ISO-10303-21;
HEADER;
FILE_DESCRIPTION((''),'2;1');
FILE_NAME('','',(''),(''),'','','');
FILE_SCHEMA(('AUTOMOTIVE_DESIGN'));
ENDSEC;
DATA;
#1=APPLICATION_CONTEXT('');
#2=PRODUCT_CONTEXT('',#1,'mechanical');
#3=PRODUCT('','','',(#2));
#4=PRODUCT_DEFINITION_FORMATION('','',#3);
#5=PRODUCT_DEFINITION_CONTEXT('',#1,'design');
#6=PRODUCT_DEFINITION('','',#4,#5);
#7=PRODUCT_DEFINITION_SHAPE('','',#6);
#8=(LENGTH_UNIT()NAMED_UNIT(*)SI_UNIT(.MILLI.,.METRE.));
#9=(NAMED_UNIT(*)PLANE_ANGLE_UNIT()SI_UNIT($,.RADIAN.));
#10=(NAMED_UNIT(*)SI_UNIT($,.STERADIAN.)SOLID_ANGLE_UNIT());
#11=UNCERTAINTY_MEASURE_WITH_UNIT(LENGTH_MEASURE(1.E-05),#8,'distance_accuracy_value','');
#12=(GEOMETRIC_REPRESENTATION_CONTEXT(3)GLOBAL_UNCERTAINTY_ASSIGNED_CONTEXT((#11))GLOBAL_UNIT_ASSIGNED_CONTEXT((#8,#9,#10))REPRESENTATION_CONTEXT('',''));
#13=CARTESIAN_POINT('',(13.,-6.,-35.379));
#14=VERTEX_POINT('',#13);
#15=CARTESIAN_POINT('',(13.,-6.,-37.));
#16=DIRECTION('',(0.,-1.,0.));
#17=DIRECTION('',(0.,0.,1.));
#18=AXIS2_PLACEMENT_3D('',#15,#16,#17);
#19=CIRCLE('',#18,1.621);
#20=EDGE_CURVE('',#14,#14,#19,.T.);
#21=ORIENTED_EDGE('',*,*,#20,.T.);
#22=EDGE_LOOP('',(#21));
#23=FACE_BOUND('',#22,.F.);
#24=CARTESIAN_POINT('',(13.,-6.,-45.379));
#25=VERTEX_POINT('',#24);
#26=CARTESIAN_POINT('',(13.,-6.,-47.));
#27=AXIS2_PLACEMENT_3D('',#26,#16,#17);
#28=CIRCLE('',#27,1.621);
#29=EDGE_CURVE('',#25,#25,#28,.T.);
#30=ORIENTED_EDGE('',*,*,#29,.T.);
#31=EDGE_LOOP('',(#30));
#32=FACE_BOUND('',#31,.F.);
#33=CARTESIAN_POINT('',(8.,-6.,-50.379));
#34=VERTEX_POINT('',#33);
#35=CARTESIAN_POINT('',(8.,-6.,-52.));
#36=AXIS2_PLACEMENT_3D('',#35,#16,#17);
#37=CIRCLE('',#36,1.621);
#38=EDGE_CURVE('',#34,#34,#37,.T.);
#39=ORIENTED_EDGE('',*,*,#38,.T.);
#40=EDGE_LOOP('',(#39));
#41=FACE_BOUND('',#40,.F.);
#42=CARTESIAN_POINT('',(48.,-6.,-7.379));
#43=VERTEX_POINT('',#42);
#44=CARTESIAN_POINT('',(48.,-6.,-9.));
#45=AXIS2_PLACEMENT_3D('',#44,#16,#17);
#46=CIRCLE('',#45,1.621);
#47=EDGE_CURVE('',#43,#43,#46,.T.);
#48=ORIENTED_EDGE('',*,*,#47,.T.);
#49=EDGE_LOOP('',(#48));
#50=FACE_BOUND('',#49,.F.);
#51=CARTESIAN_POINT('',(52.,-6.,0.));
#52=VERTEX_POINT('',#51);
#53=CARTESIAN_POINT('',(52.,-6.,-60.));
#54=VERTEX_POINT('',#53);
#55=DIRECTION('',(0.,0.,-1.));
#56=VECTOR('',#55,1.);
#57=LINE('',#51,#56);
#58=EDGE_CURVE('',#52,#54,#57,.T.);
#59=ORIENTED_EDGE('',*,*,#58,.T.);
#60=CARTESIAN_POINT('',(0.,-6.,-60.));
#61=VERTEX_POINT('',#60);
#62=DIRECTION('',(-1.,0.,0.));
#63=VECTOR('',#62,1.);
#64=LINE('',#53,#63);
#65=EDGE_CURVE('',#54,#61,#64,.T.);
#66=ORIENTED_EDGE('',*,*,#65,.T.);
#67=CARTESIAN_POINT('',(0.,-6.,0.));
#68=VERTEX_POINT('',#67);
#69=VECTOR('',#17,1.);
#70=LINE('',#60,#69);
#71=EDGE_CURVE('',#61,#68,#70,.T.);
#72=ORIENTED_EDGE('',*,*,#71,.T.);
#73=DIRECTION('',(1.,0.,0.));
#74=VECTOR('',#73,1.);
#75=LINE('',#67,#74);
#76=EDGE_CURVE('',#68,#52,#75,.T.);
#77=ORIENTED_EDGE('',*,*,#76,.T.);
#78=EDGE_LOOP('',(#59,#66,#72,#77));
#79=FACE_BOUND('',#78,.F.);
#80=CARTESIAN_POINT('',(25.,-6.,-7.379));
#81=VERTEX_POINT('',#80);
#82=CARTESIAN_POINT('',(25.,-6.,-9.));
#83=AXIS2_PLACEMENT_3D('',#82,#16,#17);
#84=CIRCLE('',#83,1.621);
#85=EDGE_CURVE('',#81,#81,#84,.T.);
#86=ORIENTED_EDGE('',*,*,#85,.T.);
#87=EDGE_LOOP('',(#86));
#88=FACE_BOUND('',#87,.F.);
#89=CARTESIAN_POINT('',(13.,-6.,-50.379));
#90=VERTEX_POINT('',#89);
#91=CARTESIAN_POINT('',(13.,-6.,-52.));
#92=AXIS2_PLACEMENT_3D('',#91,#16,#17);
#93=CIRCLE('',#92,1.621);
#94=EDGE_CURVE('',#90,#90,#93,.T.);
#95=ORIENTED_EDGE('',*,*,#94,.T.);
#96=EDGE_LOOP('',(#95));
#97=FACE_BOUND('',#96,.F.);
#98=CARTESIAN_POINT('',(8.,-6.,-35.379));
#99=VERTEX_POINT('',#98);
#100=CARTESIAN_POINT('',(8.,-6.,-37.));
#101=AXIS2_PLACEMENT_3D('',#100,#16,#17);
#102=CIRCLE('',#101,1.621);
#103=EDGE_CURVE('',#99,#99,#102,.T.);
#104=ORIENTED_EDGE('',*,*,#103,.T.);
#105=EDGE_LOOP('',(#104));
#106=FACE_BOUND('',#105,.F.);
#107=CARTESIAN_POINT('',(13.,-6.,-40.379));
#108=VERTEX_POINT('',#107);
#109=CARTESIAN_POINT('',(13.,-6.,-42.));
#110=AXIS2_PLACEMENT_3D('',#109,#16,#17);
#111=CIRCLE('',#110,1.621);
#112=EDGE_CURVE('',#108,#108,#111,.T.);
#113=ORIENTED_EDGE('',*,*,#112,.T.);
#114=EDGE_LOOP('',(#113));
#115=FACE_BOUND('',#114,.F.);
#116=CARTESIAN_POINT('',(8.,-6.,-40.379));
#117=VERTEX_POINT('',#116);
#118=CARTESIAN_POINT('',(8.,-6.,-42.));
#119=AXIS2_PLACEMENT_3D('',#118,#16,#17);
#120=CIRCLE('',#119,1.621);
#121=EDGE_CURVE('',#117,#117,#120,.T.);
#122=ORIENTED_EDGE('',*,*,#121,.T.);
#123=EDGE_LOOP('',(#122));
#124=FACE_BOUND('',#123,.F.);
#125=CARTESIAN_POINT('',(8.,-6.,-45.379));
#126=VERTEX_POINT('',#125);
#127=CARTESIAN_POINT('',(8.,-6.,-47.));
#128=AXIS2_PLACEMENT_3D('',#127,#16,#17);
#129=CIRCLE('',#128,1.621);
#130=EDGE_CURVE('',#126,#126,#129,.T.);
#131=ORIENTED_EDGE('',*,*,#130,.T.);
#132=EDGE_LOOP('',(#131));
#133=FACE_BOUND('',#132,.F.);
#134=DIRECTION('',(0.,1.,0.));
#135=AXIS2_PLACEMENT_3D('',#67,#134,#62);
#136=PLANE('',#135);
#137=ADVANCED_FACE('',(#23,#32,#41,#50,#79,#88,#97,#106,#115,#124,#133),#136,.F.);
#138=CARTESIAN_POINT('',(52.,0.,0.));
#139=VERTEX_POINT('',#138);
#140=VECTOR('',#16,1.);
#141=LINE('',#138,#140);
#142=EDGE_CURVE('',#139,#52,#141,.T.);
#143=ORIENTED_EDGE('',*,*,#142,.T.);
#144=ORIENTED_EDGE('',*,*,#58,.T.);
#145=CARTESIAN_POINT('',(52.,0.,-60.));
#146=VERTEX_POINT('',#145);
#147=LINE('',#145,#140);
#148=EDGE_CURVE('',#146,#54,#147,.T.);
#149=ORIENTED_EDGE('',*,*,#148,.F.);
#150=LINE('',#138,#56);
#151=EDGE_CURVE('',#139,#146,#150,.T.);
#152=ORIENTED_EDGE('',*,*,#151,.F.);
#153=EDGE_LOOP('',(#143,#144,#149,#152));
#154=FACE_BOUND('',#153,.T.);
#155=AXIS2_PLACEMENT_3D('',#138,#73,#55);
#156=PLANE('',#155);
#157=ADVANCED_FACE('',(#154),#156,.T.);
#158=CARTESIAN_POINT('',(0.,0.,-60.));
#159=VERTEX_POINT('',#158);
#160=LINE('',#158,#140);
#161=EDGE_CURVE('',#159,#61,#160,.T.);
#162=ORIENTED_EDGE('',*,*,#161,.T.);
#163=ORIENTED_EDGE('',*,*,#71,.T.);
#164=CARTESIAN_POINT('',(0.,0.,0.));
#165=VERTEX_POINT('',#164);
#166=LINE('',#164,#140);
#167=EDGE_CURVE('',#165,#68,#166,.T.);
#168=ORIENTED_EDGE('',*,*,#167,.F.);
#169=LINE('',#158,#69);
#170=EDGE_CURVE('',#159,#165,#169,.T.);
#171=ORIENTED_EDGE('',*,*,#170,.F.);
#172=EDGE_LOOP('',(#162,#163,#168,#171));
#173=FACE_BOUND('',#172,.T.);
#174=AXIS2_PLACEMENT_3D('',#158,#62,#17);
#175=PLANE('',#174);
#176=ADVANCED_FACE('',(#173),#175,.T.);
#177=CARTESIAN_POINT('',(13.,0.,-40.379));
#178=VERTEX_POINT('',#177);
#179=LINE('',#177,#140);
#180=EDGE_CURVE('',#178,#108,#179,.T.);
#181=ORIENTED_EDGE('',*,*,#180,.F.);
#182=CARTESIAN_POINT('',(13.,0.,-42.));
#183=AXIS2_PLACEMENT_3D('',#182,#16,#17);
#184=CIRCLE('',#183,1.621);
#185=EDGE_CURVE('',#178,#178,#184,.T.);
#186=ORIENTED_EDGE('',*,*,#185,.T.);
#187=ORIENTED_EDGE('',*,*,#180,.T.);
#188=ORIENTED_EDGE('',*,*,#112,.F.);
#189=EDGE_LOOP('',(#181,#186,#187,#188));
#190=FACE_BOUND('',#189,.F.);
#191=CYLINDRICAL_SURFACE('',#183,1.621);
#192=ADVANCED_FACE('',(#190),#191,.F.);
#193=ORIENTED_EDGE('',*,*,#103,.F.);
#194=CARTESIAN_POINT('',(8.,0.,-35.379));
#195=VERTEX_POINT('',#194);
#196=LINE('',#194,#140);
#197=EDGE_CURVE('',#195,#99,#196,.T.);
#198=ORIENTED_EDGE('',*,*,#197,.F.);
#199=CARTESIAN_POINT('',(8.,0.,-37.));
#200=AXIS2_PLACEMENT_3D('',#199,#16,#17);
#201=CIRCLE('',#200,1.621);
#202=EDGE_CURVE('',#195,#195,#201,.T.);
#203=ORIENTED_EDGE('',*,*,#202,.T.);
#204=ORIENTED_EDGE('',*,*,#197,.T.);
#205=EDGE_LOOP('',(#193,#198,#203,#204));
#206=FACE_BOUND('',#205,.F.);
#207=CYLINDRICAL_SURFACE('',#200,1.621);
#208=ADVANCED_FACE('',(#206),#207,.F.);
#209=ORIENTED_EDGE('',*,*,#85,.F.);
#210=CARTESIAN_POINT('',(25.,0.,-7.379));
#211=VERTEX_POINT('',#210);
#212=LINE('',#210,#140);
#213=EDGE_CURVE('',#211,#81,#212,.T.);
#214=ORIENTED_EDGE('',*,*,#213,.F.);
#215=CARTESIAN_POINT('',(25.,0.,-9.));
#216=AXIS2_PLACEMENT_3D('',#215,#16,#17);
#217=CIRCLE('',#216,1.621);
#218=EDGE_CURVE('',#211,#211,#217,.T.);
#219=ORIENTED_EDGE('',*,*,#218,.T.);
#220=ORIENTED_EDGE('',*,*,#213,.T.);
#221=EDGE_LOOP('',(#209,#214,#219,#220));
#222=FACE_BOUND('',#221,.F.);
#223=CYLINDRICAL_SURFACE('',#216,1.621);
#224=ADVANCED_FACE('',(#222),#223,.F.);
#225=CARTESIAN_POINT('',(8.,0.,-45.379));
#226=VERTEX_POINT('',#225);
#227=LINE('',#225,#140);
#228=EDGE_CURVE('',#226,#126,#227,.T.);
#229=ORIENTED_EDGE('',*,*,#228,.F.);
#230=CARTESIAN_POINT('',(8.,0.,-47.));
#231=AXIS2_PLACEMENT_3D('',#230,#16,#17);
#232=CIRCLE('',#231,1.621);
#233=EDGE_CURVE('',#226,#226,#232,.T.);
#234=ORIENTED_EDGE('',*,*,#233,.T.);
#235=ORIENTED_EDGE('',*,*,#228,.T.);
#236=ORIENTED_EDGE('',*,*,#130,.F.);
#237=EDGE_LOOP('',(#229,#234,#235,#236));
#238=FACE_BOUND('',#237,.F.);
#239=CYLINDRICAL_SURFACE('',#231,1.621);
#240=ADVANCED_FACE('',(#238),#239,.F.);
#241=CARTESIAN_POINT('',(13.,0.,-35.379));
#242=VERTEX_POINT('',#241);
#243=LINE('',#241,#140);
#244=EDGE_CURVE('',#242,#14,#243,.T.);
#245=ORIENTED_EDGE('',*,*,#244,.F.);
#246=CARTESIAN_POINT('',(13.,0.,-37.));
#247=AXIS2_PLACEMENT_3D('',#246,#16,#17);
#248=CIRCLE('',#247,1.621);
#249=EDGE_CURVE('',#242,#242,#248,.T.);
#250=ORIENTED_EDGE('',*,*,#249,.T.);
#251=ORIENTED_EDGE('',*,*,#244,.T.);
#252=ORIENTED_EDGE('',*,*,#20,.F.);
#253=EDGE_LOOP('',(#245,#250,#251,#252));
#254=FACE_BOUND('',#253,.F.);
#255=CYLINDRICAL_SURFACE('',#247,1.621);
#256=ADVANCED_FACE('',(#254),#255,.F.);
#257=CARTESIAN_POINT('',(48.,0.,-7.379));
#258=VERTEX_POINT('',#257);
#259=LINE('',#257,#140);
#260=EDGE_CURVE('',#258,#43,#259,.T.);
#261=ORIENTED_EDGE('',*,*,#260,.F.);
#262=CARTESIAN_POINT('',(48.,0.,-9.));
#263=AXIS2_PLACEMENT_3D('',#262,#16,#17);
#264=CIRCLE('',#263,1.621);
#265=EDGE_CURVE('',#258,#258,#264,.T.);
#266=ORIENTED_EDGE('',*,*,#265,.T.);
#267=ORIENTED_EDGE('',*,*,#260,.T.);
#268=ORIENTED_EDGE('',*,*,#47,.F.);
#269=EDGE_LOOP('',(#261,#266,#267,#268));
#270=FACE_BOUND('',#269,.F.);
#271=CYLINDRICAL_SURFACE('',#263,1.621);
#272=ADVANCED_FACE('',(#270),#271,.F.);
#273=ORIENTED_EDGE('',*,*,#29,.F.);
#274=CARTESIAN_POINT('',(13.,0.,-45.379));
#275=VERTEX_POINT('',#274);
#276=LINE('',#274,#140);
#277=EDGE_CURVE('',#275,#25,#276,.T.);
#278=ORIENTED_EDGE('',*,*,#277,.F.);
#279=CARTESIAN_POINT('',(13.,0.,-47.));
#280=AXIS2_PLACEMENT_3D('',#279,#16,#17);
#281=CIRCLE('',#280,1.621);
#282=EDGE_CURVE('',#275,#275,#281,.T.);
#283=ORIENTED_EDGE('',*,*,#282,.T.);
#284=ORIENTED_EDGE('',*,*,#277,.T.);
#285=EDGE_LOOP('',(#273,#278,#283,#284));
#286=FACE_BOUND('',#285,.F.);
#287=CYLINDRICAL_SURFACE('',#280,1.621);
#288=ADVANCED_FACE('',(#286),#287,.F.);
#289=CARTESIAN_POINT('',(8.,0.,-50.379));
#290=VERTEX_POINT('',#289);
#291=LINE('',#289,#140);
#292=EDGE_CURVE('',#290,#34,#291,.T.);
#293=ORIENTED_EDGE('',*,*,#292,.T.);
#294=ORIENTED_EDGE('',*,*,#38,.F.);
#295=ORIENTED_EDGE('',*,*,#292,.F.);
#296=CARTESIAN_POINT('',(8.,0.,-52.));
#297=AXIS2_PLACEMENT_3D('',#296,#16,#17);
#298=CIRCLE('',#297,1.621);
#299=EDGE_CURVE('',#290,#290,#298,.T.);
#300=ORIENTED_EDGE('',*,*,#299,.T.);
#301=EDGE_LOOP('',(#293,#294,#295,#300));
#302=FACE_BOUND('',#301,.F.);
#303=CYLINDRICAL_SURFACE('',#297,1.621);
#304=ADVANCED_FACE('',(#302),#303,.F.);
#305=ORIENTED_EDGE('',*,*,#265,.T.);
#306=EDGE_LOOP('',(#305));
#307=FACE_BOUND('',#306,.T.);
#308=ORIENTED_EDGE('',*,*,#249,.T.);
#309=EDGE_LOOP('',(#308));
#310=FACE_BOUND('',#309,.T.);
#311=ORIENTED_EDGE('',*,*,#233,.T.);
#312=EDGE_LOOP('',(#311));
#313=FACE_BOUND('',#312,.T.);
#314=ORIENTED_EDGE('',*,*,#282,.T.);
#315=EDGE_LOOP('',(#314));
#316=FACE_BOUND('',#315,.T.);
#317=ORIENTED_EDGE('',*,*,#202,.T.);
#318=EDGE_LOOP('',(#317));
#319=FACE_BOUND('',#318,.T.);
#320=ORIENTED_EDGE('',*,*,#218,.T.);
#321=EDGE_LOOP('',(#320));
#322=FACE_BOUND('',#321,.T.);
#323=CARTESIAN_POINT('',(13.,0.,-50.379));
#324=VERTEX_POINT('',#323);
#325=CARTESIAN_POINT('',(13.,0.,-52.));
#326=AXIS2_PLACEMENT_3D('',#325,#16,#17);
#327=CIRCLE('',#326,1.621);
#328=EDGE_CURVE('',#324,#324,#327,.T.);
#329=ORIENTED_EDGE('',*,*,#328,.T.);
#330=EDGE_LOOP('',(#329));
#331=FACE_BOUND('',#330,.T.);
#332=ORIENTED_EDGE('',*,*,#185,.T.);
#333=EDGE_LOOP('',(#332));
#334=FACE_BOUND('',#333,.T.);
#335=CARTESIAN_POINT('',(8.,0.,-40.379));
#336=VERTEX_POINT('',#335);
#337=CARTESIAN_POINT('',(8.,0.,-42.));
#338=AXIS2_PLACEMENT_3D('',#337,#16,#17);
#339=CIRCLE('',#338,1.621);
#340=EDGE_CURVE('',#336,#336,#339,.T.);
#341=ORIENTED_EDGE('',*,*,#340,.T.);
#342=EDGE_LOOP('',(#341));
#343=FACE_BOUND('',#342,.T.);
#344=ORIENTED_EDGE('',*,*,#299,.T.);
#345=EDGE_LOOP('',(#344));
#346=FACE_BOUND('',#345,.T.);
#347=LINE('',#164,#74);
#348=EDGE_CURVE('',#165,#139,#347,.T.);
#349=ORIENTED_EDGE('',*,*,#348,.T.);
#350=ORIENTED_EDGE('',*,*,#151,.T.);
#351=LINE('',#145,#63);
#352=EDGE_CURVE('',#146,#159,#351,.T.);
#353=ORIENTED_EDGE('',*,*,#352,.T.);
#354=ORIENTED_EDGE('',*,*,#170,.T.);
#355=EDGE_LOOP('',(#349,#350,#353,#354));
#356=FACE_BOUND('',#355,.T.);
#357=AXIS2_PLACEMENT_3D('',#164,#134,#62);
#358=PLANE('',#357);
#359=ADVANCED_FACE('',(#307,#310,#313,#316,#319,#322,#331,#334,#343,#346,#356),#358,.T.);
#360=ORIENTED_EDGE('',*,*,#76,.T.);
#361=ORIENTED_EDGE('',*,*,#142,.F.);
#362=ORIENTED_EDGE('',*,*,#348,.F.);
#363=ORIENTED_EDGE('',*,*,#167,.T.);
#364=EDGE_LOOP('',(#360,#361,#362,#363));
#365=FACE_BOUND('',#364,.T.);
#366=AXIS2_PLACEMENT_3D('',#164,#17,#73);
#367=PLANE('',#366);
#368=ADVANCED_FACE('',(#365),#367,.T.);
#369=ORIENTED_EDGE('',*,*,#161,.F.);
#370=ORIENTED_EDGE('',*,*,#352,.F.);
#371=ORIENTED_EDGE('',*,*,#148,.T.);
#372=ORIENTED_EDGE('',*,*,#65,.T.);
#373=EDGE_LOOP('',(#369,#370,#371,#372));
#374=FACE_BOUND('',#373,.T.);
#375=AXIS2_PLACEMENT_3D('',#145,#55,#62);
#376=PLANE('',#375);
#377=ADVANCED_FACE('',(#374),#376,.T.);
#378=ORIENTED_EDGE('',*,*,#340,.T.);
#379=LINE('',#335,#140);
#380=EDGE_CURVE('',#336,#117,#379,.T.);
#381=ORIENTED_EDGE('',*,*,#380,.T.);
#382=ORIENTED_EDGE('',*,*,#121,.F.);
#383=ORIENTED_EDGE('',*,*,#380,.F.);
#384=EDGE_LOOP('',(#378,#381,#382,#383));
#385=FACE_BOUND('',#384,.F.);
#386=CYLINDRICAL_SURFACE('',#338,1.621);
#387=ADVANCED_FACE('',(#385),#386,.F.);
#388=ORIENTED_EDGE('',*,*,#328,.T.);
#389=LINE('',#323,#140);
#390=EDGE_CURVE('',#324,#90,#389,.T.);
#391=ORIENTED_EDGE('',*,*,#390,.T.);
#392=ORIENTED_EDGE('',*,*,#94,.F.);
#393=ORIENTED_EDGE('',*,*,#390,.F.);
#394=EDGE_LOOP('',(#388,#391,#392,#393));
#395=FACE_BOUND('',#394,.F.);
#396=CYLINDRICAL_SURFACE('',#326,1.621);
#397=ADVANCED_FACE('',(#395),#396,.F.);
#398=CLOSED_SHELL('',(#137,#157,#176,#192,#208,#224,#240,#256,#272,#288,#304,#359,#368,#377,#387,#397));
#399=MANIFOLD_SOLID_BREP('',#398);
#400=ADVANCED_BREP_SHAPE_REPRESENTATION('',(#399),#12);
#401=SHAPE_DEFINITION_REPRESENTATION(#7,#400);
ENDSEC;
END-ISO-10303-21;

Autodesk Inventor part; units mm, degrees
ref_plane "YZ Plane" through (0, 0, 0) normal (1, 0, 0) x (0, 1, 0)
ref_plane "XZ Plane" through (0, 0, 0) normal (0, 1, 0) x (-1, 0, 0)
ref_plane "XY Plane" through (0, 0, 0) normal (0, 0, 1) x (1, 0, 0)
sketch "Sketch1" plane through (0, 0, 0) normal (0, 1, 0) x (-1, 0, 0)
  line L0 (0, 0) -> (-52, 0)
  line L1 (-52, 0) -> (-52, -60)
  line L2 (-52, -60) -> (0, -60)
  line L3 (0, -60) -> (0, 0)
  dimension "d0" = 52
  dimension "d1" = 60
extrude "Extrusion1" add sketch "Sketch1" against normal blind 6
sketch "Sketch2" plane through (0, 0, 0) normal (0, 1, 0) x (1, 0, 0)
  line L0 (0, 0) -> (52, 0) projected
  line L1 (52, 0) -> (52, 60) projected
  point P0 (13, 37)
  point P1 (13, 42)
  point P2 (13, 47)
  point P3 (13, 52)
  point P4 (8, 37)
  point P5 (8, 42)
  point P6 (8, 47)
  point P7 (8, 52)
  point P8 (48, 9)
  point P9 (25, 9)
  dimension "d12" = 39
  dimension "d13" = 37
  dimension "d14" = 42
  dimension "d15" = 47
  dimension "d16" = 52
  dimension "d17" = 5
  dimension "d31" = 4
  dimension "d32" = 9
  dimension "d33" = 27
  dimension "d34" = 9
hole "Hole3" at (13, 0, -37) at (13, 0, -42) at (13, 0, -47) at (13, 0, -52) at (8, 0, -37) at (8, 0, -42) at (8, 0, -47) at (8, 0, -52) at (48, 0, -9) at (25, 0, -9) direction (0, -1, 0) diameter 3.242 end through all thread size "M4x0.7" class "6H" standard "ANSI Metric M Profile"
properties part number "160624 base pequeña laser"
